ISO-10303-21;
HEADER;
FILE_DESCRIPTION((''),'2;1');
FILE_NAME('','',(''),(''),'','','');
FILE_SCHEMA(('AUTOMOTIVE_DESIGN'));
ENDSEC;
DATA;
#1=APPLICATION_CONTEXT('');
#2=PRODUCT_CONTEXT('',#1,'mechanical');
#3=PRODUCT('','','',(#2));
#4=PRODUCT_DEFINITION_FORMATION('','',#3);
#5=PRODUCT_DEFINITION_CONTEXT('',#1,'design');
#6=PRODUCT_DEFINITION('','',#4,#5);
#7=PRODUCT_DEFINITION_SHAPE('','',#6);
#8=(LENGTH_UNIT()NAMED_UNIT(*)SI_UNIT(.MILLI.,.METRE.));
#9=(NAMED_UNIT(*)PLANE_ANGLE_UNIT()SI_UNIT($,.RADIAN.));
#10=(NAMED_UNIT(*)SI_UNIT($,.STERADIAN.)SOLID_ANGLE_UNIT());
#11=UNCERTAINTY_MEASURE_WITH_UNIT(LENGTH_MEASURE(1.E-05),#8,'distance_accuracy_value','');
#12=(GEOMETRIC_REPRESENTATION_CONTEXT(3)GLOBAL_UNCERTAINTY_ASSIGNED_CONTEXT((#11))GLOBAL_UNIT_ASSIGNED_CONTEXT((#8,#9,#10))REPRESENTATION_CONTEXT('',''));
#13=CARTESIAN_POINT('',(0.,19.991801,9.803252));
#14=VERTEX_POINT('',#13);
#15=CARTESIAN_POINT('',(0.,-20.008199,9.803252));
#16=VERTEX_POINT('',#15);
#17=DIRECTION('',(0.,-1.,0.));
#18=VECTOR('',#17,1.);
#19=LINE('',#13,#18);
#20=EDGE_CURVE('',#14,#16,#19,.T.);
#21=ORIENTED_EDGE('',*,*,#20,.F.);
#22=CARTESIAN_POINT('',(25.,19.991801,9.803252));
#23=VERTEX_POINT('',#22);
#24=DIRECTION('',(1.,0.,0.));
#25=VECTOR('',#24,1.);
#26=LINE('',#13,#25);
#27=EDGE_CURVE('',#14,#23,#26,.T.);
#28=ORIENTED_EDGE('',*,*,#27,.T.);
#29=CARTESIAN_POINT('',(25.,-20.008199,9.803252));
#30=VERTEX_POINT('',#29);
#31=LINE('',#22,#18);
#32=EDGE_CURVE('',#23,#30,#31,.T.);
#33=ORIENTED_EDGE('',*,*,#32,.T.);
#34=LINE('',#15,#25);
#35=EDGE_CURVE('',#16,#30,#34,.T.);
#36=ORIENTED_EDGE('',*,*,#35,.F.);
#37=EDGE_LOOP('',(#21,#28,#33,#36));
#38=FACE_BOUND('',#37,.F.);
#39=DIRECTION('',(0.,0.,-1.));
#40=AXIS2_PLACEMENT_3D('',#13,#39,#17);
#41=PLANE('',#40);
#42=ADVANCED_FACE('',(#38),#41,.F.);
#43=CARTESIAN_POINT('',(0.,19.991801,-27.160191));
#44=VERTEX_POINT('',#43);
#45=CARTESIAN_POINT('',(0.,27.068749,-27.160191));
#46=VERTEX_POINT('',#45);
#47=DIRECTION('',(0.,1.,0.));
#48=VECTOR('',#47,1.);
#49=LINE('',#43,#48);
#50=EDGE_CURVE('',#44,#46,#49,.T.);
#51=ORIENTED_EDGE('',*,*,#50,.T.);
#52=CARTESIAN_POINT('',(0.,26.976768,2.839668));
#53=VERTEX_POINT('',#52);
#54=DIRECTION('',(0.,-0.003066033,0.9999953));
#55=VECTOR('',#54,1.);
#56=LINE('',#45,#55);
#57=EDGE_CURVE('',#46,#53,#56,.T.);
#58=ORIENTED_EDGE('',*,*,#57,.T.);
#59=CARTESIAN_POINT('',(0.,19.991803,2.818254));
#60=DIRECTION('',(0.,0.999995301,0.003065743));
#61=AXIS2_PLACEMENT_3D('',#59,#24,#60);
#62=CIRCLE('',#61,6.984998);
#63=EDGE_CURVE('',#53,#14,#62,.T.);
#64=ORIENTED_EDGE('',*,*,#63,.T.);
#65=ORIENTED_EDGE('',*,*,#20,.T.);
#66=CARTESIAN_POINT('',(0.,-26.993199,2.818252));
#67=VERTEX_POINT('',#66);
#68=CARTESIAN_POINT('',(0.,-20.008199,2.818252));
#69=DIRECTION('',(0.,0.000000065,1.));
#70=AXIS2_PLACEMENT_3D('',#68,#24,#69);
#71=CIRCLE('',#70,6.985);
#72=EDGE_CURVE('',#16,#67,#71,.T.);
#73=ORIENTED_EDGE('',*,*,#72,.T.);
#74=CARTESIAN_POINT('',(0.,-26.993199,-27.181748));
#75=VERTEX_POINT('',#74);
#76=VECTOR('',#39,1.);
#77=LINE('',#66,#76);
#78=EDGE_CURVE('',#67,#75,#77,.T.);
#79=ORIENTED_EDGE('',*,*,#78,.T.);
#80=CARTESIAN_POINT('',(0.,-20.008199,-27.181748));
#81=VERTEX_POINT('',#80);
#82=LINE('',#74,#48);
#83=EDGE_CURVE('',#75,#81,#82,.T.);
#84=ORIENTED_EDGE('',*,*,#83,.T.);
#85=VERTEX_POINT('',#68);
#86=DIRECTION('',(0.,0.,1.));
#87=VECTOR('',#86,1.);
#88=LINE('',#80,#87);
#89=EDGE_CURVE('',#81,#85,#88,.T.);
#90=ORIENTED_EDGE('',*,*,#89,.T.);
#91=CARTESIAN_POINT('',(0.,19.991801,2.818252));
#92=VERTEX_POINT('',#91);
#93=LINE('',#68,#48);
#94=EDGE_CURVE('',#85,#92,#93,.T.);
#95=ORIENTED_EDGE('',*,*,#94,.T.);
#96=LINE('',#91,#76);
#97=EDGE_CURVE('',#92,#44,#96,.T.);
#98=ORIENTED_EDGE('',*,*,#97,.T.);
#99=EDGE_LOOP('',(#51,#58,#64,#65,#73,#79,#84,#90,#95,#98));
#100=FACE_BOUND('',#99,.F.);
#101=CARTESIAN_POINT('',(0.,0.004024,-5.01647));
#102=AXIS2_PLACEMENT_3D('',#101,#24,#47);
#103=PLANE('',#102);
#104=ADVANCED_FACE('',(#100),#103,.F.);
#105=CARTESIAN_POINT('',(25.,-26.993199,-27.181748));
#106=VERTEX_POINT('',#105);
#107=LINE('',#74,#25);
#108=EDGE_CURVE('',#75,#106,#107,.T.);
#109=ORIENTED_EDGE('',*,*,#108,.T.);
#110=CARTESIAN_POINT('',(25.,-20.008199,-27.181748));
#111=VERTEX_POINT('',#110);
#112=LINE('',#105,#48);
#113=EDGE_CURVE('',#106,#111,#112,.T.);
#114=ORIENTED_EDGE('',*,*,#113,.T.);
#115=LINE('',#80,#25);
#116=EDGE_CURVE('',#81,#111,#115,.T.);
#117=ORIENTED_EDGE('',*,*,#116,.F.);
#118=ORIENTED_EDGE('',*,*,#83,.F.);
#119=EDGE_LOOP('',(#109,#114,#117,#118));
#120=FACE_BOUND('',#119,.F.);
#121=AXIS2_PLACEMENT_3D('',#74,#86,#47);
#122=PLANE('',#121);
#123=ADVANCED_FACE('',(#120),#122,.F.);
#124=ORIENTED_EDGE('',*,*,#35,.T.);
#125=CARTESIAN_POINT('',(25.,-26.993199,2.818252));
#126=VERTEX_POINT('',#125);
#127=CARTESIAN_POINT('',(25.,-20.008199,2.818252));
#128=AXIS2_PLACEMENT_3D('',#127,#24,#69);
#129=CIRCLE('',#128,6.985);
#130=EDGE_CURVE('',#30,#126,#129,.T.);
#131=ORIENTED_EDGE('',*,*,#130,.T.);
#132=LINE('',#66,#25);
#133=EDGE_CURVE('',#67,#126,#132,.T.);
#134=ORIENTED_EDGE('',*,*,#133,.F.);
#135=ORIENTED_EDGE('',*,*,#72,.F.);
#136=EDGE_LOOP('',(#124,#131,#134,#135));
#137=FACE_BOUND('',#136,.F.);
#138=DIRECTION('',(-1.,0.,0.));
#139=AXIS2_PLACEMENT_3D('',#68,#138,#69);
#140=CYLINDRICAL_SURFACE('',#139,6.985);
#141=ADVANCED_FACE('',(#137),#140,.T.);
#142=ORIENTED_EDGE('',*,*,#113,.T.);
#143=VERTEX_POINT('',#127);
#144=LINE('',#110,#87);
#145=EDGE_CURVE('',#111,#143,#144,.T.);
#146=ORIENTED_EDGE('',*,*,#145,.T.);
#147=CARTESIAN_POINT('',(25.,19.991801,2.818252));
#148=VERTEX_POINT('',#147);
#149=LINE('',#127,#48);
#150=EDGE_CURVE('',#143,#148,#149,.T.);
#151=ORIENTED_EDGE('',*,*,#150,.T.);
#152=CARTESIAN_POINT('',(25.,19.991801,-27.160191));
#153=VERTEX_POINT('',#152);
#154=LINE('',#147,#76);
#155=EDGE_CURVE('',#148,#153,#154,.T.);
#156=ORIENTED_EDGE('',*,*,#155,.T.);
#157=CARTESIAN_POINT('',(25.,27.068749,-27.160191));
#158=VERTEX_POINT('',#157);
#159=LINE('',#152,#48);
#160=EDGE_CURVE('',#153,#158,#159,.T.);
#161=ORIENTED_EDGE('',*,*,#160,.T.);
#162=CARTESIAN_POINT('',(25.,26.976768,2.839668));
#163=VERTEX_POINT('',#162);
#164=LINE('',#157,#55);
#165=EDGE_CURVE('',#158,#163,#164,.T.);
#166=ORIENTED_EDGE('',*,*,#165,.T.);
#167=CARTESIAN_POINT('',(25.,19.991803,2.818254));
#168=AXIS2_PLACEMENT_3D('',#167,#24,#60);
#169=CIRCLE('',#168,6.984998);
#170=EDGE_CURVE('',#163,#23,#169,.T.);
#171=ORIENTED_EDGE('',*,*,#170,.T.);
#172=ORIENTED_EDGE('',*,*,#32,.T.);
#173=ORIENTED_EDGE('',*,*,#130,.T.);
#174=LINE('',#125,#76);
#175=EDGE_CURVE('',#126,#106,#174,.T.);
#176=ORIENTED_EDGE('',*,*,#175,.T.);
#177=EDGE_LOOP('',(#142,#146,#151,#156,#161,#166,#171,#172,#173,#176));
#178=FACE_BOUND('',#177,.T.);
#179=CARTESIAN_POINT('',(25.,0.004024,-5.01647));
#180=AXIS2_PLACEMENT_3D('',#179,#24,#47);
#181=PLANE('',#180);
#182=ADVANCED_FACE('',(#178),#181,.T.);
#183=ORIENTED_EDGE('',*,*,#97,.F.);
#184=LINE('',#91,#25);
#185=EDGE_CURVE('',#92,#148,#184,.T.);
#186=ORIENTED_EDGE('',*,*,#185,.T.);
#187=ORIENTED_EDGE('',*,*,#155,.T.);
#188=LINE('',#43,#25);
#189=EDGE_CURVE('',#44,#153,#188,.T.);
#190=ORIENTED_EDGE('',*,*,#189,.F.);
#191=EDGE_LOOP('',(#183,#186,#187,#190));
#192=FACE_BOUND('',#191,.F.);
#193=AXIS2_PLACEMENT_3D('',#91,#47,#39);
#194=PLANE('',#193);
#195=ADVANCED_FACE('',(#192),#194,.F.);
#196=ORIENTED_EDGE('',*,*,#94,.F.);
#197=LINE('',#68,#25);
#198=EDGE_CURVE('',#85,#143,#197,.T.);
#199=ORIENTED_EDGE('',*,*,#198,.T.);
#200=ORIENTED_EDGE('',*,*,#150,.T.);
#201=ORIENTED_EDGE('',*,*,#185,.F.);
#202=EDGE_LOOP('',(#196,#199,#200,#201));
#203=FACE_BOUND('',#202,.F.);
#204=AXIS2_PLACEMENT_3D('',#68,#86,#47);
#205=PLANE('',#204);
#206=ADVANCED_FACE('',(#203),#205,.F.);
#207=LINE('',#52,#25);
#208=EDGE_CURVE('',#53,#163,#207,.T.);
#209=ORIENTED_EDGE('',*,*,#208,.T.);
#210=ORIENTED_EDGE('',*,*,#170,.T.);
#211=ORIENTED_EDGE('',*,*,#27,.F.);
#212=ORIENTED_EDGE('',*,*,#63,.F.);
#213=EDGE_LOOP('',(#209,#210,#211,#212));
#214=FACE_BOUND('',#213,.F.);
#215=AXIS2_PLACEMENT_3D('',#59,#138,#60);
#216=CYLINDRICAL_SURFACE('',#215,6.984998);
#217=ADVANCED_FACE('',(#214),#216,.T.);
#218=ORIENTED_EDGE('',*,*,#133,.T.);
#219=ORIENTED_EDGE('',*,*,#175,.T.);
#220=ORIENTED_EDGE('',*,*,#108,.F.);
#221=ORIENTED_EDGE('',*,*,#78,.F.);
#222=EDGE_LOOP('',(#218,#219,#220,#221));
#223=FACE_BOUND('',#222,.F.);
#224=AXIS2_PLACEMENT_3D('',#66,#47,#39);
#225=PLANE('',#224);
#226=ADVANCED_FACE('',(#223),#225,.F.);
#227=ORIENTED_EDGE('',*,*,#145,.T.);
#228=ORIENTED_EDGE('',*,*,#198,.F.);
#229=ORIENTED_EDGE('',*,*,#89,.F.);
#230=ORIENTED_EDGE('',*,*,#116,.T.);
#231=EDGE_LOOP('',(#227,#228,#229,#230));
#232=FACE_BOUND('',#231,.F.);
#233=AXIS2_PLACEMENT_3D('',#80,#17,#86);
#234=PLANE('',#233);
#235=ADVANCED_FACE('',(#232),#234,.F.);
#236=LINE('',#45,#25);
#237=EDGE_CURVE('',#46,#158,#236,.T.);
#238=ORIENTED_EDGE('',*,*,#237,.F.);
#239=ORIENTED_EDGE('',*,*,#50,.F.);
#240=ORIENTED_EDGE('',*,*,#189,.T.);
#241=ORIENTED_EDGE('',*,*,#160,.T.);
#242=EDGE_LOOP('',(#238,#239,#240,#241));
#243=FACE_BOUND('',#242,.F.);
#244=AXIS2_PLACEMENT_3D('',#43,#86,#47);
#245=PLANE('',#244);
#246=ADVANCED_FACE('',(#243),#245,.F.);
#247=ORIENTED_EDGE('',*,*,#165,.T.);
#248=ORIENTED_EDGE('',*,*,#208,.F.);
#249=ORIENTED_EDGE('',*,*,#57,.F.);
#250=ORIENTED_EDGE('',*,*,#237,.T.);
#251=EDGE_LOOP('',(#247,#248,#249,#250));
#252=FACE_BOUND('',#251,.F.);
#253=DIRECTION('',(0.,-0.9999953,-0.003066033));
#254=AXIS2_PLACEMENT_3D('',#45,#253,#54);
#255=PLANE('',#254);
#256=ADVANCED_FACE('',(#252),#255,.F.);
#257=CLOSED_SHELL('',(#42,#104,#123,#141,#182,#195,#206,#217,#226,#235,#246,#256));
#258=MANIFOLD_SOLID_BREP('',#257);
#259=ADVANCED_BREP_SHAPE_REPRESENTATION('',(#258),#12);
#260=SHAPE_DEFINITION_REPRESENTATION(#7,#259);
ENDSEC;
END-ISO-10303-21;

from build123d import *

# Parameters (mm, degrees)
F1_DEPTH = 25


with BuildPart() as f1:
    # F0 (on Right) → F1 (new body)
    with BuildSketch(Plane.YZ):
        with BuildLine():
            ThreePointArc((-20.008199, 9.803252), (-24.94734, 7.757393), (-26.993199, 2.818252))
            Line((-26.993199, 2.818252), (-26.993199, -27.181748))
            Line((-26.993199, -27.181748), (-20.008199, -27.181748))
            Line((-20.008199, -27.181748), (-20.008199, 2.818252))
            Line((-20.008199, 2.818252), (19.991801, 2.818252))
            Line((19.991801, 2.818252), (19.991801, -27.160191))
            Line((19.991801, -27.160191), (27.068749, -27.160191))
            Line((27.068749, -27.160191), (26.976768, 2.839668))
            ThreePointArc((26.976768, 2.839668), (24.923365, 7.764959), (19.991801, 9.803252))
            Line((19.991801, 9.803252), (-20.008199, 9.803252))
        make_face()
    extrude(amount=F1_DEPTH)


solid = f1.part
